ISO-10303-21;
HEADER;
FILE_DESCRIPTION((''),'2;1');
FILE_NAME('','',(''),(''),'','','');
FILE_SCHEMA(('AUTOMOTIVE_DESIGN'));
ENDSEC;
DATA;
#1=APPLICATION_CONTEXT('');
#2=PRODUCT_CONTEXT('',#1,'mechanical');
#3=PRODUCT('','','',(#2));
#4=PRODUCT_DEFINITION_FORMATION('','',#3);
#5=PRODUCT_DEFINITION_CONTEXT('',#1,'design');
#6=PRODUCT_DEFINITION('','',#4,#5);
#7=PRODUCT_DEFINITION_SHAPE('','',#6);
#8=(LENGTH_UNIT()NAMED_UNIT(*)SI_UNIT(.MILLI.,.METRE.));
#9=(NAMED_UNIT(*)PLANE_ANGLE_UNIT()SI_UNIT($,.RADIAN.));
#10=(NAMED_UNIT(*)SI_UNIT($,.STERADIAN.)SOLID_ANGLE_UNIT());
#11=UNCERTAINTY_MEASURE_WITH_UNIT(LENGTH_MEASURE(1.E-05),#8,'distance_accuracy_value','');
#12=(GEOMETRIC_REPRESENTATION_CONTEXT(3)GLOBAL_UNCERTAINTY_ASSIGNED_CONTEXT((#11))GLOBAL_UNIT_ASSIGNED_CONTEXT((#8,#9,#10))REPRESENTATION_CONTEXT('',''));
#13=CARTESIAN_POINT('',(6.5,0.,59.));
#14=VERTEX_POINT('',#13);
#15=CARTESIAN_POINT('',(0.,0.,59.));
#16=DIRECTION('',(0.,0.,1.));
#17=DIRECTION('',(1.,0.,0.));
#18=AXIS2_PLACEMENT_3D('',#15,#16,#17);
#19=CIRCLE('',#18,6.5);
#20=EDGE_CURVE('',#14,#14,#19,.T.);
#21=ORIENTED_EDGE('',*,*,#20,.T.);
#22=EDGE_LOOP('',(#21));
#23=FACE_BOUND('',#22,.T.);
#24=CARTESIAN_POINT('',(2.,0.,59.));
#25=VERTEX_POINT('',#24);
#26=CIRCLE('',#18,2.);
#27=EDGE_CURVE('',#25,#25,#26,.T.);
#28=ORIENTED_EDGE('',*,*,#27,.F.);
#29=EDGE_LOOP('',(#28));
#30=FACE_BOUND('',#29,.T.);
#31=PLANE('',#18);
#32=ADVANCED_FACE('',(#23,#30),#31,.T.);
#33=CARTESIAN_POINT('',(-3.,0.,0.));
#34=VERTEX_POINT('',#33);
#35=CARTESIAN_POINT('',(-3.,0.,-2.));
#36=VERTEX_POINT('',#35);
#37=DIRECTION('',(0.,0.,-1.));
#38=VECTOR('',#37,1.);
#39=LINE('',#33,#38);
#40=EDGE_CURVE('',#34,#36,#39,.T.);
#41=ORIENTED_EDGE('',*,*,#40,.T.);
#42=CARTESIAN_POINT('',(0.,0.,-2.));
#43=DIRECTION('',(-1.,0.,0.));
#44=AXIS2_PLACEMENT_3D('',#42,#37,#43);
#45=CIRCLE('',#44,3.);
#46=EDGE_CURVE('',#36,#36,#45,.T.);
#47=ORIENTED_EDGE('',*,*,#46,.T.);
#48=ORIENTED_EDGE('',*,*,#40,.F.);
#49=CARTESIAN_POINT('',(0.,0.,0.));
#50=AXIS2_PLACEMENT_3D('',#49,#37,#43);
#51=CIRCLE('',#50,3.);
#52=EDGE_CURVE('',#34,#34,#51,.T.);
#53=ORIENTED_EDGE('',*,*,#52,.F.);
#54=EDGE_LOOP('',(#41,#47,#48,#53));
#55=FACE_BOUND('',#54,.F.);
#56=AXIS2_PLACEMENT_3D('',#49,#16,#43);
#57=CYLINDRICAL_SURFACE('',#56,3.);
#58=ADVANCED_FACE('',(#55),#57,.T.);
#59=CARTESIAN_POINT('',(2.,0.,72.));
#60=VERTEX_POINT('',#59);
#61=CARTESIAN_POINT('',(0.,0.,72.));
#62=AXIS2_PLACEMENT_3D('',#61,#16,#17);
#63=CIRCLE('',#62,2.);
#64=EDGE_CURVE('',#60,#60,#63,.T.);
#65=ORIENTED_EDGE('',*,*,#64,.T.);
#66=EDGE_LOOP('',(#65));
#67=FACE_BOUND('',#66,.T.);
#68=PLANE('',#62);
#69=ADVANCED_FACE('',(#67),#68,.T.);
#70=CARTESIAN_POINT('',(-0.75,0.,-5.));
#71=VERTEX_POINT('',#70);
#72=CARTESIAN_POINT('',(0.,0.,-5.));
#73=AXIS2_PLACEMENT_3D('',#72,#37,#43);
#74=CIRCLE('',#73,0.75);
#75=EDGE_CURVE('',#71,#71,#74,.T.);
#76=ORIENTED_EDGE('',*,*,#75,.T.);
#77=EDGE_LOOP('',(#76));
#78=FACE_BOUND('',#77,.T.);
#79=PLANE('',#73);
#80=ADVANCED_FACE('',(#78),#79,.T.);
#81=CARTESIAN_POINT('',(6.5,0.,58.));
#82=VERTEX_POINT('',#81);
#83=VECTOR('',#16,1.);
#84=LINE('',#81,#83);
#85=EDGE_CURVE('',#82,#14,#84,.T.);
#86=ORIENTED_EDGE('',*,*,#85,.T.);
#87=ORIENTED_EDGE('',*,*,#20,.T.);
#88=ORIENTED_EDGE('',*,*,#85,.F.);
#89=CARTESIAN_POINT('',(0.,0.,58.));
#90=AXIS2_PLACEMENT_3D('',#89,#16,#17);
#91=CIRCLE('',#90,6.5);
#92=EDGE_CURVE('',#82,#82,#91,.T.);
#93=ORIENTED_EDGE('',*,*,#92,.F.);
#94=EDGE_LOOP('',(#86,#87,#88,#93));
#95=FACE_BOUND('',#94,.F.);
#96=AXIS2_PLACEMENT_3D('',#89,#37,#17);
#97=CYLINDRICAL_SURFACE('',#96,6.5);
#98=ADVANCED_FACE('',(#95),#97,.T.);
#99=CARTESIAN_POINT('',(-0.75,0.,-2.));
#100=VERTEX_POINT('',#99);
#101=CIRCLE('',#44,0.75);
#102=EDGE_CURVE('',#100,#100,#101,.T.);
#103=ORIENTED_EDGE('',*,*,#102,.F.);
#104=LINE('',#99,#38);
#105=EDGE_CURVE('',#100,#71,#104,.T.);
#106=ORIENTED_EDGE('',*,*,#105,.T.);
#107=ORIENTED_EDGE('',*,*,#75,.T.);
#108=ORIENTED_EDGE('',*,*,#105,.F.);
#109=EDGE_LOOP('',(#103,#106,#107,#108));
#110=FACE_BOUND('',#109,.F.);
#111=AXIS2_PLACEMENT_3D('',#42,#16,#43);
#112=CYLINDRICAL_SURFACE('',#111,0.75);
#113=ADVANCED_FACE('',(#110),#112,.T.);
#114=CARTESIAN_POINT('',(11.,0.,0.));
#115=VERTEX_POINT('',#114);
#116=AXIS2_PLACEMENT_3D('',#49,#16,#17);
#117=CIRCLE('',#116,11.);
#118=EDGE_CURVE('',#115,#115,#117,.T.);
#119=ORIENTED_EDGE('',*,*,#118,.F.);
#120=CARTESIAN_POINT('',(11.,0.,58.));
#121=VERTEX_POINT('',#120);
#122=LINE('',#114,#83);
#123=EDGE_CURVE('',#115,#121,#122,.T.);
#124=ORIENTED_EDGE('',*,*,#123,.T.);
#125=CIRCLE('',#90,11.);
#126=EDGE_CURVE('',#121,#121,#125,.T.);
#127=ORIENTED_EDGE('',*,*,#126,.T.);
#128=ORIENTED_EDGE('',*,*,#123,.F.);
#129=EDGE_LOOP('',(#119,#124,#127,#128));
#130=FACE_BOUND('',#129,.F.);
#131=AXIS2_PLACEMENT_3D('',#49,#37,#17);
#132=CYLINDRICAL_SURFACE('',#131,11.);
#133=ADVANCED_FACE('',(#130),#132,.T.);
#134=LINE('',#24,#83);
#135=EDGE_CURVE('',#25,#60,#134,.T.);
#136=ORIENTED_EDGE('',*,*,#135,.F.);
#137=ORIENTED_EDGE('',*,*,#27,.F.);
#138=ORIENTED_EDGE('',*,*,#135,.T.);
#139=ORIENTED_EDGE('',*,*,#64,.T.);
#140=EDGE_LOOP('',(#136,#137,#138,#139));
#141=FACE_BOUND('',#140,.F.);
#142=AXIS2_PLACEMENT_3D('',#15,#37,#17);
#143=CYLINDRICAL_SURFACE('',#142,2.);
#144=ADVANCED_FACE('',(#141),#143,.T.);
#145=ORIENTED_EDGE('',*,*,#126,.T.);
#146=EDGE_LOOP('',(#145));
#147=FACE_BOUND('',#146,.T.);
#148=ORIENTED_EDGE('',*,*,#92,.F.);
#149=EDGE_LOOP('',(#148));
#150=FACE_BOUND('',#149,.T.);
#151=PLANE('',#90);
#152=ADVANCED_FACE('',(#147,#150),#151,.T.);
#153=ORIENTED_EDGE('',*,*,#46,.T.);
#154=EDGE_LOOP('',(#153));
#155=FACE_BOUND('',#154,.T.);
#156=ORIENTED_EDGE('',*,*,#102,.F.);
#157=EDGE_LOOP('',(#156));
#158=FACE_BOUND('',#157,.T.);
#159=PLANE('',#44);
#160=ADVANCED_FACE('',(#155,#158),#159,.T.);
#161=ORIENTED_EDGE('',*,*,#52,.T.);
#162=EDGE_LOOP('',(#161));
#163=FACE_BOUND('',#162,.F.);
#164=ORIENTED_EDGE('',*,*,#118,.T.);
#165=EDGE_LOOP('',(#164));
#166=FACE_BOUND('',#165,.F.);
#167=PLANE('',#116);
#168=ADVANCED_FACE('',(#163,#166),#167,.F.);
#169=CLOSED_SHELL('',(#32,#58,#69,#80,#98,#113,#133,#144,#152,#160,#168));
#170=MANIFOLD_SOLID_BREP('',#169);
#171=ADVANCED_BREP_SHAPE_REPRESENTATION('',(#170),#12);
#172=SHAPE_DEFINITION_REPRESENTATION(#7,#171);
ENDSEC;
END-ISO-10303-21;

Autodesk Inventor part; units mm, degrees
ref_plane "YZ Plane" through (0, 0, 0) normal (1, 0, 0) x (0, 1, 0)
ref_plane "XZ Plane" through (0, 0, 0) normal (0, 1, 0) x (-1, 0, 0)
ref_plane "XY Plane" through (0, 0, 0) normal (0, 0, 1) x (1, 0, 0)
sketch "Skizze1" plane through (0, 0, 0) normal (0, 0, 1) x (1, 0, 0)
  circle A0 centre (0, 0) radius 11
  dimension "d0" = 22
extrude "Extrusion1" add sketch "Skizze1" along normal blind 58
sketch "Skizze2" plane through (0, 0, 58) normal (0, 0, 1) x (1, 0, 0)
  circle A0 centre (0, 0) radius 6.5
  dimension "d3" = 13
extrude "Extrusion2" add sketch "Skizze2" along normal blind 1
sketch "Skizze3" plane through (0, 0, 59) normal (0, 0, 1) x (1, 0, 0)
  circle A0 centre (0, 0) radius 2
  dimension "d6" = 4
extrude "Extrusion3" add sketch "Skizze3" along normal blind 13
sketch "Skizze5" plane through (0, 0, 0) normal (0, 0, -1) x (-1, 0, 0)
  circle A0 centre (0, 0) radius 2 projected
  circle A1 centre (0, 0) radius 3
  dimension "d10" = 6
extrude "Extrusion4" add sketch "Skizze5" along normal blind 2 contours A0 | A1
sketch "Skizze6" plane through (0, 0, -2) normal (0, 0, -1) x (-1, 0, 0)
  circle A0 centre (0, 0) radius 0.75
  dimension "d13" = 1.5
extrude "Extrusion5" add sketch "Skizze6" along normal blind 3
properties part number "Fake Motor"
